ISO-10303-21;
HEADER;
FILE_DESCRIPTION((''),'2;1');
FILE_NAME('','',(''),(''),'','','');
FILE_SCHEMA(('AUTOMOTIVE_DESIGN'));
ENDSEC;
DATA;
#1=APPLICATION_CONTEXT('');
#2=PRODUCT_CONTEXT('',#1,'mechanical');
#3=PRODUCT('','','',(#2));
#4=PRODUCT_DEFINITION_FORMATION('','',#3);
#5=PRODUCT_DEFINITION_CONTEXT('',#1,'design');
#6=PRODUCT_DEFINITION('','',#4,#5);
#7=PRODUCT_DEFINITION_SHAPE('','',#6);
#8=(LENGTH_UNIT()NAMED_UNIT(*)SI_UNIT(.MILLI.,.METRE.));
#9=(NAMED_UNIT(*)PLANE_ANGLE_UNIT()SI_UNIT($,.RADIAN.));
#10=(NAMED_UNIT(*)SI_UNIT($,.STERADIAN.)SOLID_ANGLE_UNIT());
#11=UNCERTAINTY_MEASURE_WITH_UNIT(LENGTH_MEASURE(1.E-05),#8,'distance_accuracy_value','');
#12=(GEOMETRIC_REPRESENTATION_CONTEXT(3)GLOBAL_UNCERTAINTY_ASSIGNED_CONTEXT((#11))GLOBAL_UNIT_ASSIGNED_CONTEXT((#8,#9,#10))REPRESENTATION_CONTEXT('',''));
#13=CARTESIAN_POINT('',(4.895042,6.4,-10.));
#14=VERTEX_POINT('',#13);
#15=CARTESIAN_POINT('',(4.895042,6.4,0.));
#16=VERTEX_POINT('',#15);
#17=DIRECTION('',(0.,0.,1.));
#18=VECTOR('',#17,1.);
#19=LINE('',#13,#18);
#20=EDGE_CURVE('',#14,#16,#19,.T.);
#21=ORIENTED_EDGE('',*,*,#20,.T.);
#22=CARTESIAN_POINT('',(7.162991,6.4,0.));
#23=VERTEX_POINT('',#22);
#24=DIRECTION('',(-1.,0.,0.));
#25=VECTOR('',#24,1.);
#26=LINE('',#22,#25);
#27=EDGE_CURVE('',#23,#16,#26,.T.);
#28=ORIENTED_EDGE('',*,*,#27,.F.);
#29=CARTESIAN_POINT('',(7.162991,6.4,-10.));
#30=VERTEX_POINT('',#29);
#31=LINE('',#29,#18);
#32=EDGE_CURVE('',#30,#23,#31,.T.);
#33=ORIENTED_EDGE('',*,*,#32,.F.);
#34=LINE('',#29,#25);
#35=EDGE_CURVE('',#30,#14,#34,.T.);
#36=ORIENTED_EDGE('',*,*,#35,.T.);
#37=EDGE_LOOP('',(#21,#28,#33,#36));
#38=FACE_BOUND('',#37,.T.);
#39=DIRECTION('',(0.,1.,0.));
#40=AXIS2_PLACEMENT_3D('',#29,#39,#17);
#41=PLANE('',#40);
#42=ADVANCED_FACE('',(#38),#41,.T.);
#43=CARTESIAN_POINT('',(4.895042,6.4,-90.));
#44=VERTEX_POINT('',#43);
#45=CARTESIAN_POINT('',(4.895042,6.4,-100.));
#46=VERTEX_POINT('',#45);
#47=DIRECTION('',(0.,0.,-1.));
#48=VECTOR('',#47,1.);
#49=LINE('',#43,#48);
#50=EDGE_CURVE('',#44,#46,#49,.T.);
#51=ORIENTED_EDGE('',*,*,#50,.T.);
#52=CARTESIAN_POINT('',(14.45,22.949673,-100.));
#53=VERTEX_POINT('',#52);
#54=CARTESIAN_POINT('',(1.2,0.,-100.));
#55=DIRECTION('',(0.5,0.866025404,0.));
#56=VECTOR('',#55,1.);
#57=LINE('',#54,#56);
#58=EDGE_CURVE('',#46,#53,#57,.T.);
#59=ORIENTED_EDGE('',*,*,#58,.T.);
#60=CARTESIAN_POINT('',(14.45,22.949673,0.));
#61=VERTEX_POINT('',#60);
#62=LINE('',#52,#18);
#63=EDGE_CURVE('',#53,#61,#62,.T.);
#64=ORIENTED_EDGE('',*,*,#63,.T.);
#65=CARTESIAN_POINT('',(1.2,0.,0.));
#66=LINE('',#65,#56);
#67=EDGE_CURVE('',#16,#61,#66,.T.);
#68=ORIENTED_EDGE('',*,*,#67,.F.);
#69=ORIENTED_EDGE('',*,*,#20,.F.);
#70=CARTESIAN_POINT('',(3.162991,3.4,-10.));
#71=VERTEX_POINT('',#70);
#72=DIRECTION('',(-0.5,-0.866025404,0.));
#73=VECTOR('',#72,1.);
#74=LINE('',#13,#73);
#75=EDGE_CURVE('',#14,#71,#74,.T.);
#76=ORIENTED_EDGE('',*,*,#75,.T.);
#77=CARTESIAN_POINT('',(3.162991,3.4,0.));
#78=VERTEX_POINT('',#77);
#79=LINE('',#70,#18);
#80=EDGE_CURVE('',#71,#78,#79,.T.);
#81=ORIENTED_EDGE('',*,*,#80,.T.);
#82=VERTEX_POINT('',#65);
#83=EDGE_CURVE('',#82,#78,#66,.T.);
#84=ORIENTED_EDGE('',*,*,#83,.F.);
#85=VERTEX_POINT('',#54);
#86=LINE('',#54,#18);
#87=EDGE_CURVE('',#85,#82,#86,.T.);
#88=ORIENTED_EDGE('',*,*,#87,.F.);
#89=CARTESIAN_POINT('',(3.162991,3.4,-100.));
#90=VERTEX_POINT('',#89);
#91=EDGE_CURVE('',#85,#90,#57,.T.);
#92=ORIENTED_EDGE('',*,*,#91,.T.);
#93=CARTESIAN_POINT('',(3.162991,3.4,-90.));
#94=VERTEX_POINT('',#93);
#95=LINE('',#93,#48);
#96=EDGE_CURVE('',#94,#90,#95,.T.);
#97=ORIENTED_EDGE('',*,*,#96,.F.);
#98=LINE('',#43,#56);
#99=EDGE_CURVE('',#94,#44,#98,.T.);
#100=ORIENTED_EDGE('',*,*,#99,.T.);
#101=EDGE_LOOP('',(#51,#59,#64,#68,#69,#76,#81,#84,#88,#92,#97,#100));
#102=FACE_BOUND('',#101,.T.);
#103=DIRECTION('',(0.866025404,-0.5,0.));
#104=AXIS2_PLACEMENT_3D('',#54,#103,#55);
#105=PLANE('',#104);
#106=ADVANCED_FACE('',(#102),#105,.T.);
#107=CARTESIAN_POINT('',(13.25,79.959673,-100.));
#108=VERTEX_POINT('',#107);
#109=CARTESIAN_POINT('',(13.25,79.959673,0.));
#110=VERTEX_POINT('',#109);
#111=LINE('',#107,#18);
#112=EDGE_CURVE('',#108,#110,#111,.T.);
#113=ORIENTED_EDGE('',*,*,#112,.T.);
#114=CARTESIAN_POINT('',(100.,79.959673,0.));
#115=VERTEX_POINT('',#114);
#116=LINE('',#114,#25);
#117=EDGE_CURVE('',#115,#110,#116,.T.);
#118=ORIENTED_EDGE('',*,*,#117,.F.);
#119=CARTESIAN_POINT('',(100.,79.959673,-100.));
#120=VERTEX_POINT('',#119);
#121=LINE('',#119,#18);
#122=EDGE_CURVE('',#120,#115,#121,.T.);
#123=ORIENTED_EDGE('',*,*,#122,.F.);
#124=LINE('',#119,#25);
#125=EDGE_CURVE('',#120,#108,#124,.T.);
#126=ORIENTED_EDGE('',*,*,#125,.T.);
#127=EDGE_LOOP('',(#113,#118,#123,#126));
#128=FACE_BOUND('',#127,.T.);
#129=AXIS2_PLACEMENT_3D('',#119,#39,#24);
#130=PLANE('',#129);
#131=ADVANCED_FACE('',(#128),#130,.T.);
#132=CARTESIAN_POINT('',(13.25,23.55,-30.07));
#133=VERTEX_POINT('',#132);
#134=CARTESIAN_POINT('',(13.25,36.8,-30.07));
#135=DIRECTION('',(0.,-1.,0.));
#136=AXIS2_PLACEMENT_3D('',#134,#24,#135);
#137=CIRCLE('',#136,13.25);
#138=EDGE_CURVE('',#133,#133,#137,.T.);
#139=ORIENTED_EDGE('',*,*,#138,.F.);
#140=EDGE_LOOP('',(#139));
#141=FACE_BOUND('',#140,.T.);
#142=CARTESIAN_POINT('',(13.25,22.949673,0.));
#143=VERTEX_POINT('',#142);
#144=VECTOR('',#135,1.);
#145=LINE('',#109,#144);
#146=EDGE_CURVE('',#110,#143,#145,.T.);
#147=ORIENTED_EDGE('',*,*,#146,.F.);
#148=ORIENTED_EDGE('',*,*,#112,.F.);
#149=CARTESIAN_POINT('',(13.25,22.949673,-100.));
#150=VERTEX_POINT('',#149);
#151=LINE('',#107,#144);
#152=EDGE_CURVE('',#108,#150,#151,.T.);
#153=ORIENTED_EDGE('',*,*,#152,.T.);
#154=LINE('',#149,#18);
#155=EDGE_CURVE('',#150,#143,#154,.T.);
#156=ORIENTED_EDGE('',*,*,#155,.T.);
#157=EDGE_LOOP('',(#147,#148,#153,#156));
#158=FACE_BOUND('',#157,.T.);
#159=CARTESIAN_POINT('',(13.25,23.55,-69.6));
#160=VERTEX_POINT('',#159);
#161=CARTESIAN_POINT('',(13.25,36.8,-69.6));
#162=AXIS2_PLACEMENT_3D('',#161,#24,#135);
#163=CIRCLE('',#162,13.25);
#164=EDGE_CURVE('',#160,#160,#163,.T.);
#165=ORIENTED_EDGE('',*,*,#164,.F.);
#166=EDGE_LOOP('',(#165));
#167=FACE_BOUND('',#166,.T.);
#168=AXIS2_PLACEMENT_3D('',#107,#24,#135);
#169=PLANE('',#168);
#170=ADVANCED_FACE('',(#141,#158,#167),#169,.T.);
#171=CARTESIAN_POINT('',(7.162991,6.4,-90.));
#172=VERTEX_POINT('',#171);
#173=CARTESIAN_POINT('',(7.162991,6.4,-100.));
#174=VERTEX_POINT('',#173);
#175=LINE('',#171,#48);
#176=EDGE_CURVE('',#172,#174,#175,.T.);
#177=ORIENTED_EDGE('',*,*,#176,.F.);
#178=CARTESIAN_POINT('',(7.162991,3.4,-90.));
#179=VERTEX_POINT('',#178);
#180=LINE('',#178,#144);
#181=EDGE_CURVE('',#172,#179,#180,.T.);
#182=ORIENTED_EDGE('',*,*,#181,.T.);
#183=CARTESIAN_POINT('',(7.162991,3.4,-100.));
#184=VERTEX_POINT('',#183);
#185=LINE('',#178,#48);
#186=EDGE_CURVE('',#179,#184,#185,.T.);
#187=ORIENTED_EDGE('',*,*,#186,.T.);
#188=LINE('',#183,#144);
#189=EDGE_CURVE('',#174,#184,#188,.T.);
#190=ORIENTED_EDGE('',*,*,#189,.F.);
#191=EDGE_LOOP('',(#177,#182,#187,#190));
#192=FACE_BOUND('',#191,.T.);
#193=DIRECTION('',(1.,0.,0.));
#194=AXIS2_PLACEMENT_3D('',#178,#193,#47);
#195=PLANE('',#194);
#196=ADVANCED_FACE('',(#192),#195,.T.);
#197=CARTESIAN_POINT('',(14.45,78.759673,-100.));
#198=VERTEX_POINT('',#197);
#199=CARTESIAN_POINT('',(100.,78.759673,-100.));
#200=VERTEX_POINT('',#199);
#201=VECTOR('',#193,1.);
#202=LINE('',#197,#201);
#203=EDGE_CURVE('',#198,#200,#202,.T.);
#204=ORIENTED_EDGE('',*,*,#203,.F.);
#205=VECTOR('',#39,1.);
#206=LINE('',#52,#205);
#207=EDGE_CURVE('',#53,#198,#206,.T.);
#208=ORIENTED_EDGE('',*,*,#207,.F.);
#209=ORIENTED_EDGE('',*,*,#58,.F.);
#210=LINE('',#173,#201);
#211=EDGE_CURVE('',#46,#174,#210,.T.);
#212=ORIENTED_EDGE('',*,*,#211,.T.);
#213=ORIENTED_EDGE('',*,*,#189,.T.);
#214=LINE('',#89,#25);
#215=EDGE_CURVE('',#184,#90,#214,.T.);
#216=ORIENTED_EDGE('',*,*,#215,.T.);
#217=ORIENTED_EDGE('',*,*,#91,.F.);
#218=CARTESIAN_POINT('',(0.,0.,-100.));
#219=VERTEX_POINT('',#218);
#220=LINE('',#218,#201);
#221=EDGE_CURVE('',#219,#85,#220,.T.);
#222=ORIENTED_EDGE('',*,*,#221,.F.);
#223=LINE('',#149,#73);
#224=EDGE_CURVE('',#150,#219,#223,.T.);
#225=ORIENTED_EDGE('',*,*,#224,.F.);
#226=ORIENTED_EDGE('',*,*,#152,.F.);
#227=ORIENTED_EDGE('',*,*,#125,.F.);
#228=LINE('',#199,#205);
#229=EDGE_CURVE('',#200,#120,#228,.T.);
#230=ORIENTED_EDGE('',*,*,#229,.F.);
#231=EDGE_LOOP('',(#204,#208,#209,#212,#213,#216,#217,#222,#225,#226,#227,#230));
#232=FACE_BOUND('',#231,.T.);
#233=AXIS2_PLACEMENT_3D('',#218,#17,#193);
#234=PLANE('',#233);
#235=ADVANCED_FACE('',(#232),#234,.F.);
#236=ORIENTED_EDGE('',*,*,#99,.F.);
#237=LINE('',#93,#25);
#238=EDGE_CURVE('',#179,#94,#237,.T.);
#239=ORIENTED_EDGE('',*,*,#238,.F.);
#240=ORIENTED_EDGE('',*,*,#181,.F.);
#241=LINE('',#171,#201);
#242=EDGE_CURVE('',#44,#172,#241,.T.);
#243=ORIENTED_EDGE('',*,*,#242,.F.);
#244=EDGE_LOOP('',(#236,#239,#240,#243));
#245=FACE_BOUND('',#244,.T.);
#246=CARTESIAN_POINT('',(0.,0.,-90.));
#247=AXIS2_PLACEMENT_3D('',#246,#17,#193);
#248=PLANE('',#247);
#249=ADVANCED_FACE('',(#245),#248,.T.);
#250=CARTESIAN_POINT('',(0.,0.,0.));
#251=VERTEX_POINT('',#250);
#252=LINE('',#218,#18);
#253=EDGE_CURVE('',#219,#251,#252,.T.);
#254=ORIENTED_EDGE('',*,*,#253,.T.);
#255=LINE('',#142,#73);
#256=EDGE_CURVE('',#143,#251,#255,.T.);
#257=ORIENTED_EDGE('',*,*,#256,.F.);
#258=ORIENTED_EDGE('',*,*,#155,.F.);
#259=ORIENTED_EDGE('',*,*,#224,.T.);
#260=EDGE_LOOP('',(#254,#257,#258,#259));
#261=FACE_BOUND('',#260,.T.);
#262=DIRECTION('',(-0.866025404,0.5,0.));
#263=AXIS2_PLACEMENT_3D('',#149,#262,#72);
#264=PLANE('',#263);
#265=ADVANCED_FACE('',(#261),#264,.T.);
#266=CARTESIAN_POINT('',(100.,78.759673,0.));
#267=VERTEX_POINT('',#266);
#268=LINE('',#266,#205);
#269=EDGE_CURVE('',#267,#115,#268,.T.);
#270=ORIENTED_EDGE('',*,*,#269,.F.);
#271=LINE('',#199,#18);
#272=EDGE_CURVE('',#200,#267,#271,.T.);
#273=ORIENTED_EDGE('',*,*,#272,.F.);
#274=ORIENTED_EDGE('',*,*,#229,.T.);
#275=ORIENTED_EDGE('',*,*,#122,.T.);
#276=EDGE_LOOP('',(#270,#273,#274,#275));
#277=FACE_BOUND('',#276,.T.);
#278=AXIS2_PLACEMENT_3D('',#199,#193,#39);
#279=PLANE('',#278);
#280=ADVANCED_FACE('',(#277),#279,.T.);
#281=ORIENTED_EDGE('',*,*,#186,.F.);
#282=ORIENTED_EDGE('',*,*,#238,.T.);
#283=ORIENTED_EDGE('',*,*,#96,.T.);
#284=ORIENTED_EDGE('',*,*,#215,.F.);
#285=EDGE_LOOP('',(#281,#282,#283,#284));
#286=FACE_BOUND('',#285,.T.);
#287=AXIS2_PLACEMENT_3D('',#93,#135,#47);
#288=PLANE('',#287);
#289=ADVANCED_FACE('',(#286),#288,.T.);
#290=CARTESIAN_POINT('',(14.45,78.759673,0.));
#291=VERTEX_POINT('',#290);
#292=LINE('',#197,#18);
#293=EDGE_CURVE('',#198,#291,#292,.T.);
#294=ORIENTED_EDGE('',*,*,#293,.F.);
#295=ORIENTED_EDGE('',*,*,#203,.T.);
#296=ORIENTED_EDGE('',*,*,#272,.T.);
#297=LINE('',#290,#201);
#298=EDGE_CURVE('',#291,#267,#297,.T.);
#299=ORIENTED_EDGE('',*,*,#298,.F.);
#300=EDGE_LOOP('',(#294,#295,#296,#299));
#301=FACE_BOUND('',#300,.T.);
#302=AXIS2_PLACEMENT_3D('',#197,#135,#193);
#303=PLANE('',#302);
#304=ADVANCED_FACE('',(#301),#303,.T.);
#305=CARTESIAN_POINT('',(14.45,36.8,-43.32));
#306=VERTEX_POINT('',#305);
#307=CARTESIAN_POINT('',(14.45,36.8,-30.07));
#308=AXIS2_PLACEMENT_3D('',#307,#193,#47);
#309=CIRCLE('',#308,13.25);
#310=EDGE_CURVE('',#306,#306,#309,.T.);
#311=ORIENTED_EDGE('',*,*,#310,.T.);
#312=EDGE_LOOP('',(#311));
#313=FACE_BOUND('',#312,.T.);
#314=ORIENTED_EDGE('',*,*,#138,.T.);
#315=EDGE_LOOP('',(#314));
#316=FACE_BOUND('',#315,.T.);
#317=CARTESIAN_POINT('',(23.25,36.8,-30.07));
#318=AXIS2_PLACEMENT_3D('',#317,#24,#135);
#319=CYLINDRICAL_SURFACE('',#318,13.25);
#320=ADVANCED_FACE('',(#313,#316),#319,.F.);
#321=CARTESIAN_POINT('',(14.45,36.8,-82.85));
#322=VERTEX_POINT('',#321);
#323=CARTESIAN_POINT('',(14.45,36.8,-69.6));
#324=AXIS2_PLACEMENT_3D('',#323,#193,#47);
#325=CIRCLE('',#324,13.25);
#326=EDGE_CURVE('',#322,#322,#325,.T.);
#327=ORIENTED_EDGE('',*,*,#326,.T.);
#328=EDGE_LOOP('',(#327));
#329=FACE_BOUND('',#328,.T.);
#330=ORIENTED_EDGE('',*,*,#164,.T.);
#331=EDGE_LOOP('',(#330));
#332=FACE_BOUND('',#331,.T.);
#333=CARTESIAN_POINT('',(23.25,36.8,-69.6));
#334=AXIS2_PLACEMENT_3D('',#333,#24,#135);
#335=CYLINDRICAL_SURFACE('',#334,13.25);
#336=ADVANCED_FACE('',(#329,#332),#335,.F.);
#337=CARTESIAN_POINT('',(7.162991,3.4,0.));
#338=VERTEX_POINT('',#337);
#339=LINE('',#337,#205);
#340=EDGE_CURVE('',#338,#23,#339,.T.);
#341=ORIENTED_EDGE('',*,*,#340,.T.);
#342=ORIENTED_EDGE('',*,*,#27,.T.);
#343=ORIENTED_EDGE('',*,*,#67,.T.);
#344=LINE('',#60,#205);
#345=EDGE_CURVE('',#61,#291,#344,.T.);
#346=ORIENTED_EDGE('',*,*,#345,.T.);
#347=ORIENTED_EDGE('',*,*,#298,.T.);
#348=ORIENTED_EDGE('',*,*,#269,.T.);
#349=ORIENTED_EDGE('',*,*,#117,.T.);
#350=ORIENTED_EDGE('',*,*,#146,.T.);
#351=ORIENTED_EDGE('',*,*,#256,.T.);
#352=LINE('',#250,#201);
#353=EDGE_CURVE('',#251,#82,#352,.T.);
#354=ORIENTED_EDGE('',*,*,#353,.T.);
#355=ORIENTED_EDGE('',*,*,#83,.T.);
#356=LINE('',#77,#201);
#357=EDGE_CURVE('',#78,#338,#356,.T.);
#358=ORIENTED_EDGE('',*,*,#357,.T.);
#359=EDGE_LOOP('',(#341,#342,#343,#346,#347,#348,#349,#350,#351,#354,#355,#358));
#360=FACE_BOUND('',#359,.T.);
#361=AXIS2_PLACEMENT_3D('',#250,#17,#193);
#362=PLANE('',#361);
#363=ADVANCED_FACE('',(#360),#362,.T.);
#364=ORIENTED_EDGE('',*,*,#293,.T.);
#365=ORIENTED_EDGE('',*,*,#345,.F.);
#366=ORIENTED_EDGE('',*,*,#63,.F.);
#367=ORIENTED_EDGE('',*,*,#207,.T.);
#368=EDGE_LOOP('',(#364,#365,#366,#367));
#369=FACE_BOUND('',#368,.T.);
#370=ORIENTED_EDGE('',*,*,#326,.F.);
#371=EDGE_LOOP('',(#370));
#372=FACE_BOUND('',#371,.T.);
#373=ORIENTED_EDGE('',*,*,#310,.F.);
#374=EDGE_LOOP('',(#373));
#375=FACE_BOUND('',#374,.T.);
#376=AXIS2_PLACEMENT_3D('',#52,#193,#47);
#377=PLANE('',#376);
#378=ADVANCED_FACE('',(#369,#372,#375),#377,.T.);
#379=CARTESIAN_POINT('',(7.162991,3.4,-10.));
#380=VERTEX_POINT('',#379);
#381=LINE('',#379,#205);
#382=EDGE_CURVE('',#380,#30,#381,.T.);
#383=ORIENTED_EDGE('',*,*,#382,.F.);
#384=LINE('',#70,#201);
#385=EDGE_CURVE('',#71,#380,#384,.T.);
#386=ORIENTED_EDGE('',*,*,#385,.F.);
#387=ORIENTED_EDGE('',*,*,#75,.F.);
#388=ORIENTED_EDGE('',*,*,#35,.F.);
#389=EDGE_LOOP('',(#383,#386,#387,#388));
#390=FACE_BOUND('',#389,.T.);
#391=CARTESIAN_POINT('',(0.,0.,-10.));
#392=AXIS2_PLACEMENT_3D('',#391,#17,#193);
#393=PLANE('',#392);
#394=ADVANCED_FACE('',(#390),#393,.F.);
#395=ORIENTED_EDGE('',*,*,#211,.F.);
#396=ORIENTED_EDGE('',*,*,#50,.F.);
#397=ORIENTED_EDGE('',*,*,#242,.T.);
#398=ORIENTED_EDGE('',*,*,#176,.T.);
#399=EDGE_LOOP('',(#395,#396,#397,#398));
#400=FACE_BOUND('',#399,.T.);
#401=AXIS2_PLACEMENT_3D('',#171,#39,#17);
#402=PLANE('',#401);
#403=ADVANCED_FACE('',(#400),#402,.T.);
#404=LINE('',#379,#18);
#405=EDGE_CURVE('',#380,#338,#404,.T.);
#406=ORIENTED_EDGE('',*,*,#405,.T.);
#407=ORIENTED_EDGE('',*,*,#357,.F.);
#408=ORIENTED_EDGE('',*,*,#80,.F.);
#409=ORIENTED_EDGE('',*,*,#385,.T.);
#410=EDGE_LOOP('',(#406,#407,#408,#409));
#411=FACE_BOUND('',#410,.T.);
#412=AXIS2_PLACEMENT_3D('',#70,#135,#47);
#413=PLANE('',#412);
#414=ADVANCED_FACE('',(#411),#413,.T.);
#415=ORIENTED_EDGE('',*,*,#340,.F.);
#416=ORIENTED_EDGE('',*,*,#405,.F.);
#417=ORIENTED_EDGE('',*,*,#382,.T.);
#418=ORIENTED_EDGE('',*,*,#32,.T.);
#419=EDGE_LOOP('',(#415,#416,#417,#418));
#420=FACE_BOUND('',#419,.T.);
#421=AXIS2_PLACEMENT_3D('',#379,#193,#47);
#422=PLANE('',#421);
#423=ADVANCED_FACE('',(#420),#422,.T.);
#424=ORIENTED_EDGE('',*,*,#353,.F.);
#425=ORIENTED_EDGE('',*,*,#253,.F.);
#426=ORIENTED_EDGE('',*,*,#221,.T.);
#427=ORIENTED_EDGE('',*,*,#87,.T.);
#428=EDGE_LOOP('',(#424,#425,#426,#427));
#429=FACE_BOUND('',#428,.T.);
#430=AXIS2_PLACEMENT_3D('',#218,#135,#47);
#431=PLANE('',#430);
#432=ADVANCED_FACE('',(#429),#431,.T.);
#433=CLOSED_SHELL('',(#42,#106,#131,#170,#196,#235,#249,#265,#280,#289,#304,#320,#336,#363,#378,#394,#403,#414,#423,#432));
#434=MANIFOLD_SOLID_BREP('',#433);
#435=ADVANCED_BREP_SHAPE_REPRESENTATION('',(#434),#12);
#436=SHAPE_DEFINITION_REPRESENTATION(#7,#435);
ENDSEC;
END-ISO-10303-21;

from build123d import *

# Parameters (mm, degrees)
SALIENTE_EXTRUIR1_DEPTH = 100
SALIENTE_EXTRUIR2_DEPTH = 10
SALIENTE_EXTRUIR3_DEPTH = 10
CROQUIS9_R              = 13.25
CORTAR_EXTRUIR5_DEPTH   = 10


with BuildPart() as part:
    # Croquis1 → Saliente-Extruir1 (new body)
    with BuildSketch(Plane.XY):
        Polygon((0, 0), (1.2, 0), (14.45, 22.9496732), (14.45, 78.7596732), (100, 78.7596732), (100, 79.9596732), (13.25, 79.9596732), (13.25, 22.9496732), align=None)
    extrude(amount=-SALIENTE_EXTRUIR1_DEPTH)

    # Croquis2 → Saliente-Extruir2 (add)
    with BuildSketch(Plane.XY):
        Polygon((3.162990915, 3.4), (7.162990915, 3.4), (7.162990915, 6.4), (4.895041723, 6.4), align=None)
    extrude(amount=-SALIENTE_EXTRUIR2_DEPTH)

    # Croquis4 → Saliente-Extruir3 (add)
    with BuildSketch(Plane(origin=(0, 0, -100), x_dir=(-1, 0, 0), z_dir=(0, 0, -1))):
        Polygon((-3.162990915, 3.4), (-7.162990915, 3.4), (-7.162990915, 6.4), (-4.895041723, 6.4), align=None)
    extrude(amount=-SALIENTE_EXTRUIR3_DEPTH)

    # Croquis9 → Cortar-Extruir5 (cut)
    with BuildSketch(Plane.ZY.offset(-13.25)):
        with BuildLine():
            ThreePointArc((-56.35, 36.8), (-78.969164851, 46.169164851), (-69.6, 23.55))
            Line((-69.6, 23.55), (-69.6, 36.8))
            Line((-69.6, 36.8), (-56.35, 36.8))
        make_face()
        with BuildLine():
            Line((-69.6, 36.8), (-69.6, 23.55))
            ThreePointArc((-69.6, 23.55), (-60.230835149, 27.430835149), (-56.35, 36.8))
            Line((-56.35, 36.8), (-69.6, 36.8))
        make_face()
        with Locations(Location((-30.07, 36.8, 0), (0, 0, 270))):
            Circle(CROQUIS9_R)
    extrude(amount=-CORTAR_EXTRUIR5_DEPTH, mode=Mode.SUBTRACT)


solid = part.part
